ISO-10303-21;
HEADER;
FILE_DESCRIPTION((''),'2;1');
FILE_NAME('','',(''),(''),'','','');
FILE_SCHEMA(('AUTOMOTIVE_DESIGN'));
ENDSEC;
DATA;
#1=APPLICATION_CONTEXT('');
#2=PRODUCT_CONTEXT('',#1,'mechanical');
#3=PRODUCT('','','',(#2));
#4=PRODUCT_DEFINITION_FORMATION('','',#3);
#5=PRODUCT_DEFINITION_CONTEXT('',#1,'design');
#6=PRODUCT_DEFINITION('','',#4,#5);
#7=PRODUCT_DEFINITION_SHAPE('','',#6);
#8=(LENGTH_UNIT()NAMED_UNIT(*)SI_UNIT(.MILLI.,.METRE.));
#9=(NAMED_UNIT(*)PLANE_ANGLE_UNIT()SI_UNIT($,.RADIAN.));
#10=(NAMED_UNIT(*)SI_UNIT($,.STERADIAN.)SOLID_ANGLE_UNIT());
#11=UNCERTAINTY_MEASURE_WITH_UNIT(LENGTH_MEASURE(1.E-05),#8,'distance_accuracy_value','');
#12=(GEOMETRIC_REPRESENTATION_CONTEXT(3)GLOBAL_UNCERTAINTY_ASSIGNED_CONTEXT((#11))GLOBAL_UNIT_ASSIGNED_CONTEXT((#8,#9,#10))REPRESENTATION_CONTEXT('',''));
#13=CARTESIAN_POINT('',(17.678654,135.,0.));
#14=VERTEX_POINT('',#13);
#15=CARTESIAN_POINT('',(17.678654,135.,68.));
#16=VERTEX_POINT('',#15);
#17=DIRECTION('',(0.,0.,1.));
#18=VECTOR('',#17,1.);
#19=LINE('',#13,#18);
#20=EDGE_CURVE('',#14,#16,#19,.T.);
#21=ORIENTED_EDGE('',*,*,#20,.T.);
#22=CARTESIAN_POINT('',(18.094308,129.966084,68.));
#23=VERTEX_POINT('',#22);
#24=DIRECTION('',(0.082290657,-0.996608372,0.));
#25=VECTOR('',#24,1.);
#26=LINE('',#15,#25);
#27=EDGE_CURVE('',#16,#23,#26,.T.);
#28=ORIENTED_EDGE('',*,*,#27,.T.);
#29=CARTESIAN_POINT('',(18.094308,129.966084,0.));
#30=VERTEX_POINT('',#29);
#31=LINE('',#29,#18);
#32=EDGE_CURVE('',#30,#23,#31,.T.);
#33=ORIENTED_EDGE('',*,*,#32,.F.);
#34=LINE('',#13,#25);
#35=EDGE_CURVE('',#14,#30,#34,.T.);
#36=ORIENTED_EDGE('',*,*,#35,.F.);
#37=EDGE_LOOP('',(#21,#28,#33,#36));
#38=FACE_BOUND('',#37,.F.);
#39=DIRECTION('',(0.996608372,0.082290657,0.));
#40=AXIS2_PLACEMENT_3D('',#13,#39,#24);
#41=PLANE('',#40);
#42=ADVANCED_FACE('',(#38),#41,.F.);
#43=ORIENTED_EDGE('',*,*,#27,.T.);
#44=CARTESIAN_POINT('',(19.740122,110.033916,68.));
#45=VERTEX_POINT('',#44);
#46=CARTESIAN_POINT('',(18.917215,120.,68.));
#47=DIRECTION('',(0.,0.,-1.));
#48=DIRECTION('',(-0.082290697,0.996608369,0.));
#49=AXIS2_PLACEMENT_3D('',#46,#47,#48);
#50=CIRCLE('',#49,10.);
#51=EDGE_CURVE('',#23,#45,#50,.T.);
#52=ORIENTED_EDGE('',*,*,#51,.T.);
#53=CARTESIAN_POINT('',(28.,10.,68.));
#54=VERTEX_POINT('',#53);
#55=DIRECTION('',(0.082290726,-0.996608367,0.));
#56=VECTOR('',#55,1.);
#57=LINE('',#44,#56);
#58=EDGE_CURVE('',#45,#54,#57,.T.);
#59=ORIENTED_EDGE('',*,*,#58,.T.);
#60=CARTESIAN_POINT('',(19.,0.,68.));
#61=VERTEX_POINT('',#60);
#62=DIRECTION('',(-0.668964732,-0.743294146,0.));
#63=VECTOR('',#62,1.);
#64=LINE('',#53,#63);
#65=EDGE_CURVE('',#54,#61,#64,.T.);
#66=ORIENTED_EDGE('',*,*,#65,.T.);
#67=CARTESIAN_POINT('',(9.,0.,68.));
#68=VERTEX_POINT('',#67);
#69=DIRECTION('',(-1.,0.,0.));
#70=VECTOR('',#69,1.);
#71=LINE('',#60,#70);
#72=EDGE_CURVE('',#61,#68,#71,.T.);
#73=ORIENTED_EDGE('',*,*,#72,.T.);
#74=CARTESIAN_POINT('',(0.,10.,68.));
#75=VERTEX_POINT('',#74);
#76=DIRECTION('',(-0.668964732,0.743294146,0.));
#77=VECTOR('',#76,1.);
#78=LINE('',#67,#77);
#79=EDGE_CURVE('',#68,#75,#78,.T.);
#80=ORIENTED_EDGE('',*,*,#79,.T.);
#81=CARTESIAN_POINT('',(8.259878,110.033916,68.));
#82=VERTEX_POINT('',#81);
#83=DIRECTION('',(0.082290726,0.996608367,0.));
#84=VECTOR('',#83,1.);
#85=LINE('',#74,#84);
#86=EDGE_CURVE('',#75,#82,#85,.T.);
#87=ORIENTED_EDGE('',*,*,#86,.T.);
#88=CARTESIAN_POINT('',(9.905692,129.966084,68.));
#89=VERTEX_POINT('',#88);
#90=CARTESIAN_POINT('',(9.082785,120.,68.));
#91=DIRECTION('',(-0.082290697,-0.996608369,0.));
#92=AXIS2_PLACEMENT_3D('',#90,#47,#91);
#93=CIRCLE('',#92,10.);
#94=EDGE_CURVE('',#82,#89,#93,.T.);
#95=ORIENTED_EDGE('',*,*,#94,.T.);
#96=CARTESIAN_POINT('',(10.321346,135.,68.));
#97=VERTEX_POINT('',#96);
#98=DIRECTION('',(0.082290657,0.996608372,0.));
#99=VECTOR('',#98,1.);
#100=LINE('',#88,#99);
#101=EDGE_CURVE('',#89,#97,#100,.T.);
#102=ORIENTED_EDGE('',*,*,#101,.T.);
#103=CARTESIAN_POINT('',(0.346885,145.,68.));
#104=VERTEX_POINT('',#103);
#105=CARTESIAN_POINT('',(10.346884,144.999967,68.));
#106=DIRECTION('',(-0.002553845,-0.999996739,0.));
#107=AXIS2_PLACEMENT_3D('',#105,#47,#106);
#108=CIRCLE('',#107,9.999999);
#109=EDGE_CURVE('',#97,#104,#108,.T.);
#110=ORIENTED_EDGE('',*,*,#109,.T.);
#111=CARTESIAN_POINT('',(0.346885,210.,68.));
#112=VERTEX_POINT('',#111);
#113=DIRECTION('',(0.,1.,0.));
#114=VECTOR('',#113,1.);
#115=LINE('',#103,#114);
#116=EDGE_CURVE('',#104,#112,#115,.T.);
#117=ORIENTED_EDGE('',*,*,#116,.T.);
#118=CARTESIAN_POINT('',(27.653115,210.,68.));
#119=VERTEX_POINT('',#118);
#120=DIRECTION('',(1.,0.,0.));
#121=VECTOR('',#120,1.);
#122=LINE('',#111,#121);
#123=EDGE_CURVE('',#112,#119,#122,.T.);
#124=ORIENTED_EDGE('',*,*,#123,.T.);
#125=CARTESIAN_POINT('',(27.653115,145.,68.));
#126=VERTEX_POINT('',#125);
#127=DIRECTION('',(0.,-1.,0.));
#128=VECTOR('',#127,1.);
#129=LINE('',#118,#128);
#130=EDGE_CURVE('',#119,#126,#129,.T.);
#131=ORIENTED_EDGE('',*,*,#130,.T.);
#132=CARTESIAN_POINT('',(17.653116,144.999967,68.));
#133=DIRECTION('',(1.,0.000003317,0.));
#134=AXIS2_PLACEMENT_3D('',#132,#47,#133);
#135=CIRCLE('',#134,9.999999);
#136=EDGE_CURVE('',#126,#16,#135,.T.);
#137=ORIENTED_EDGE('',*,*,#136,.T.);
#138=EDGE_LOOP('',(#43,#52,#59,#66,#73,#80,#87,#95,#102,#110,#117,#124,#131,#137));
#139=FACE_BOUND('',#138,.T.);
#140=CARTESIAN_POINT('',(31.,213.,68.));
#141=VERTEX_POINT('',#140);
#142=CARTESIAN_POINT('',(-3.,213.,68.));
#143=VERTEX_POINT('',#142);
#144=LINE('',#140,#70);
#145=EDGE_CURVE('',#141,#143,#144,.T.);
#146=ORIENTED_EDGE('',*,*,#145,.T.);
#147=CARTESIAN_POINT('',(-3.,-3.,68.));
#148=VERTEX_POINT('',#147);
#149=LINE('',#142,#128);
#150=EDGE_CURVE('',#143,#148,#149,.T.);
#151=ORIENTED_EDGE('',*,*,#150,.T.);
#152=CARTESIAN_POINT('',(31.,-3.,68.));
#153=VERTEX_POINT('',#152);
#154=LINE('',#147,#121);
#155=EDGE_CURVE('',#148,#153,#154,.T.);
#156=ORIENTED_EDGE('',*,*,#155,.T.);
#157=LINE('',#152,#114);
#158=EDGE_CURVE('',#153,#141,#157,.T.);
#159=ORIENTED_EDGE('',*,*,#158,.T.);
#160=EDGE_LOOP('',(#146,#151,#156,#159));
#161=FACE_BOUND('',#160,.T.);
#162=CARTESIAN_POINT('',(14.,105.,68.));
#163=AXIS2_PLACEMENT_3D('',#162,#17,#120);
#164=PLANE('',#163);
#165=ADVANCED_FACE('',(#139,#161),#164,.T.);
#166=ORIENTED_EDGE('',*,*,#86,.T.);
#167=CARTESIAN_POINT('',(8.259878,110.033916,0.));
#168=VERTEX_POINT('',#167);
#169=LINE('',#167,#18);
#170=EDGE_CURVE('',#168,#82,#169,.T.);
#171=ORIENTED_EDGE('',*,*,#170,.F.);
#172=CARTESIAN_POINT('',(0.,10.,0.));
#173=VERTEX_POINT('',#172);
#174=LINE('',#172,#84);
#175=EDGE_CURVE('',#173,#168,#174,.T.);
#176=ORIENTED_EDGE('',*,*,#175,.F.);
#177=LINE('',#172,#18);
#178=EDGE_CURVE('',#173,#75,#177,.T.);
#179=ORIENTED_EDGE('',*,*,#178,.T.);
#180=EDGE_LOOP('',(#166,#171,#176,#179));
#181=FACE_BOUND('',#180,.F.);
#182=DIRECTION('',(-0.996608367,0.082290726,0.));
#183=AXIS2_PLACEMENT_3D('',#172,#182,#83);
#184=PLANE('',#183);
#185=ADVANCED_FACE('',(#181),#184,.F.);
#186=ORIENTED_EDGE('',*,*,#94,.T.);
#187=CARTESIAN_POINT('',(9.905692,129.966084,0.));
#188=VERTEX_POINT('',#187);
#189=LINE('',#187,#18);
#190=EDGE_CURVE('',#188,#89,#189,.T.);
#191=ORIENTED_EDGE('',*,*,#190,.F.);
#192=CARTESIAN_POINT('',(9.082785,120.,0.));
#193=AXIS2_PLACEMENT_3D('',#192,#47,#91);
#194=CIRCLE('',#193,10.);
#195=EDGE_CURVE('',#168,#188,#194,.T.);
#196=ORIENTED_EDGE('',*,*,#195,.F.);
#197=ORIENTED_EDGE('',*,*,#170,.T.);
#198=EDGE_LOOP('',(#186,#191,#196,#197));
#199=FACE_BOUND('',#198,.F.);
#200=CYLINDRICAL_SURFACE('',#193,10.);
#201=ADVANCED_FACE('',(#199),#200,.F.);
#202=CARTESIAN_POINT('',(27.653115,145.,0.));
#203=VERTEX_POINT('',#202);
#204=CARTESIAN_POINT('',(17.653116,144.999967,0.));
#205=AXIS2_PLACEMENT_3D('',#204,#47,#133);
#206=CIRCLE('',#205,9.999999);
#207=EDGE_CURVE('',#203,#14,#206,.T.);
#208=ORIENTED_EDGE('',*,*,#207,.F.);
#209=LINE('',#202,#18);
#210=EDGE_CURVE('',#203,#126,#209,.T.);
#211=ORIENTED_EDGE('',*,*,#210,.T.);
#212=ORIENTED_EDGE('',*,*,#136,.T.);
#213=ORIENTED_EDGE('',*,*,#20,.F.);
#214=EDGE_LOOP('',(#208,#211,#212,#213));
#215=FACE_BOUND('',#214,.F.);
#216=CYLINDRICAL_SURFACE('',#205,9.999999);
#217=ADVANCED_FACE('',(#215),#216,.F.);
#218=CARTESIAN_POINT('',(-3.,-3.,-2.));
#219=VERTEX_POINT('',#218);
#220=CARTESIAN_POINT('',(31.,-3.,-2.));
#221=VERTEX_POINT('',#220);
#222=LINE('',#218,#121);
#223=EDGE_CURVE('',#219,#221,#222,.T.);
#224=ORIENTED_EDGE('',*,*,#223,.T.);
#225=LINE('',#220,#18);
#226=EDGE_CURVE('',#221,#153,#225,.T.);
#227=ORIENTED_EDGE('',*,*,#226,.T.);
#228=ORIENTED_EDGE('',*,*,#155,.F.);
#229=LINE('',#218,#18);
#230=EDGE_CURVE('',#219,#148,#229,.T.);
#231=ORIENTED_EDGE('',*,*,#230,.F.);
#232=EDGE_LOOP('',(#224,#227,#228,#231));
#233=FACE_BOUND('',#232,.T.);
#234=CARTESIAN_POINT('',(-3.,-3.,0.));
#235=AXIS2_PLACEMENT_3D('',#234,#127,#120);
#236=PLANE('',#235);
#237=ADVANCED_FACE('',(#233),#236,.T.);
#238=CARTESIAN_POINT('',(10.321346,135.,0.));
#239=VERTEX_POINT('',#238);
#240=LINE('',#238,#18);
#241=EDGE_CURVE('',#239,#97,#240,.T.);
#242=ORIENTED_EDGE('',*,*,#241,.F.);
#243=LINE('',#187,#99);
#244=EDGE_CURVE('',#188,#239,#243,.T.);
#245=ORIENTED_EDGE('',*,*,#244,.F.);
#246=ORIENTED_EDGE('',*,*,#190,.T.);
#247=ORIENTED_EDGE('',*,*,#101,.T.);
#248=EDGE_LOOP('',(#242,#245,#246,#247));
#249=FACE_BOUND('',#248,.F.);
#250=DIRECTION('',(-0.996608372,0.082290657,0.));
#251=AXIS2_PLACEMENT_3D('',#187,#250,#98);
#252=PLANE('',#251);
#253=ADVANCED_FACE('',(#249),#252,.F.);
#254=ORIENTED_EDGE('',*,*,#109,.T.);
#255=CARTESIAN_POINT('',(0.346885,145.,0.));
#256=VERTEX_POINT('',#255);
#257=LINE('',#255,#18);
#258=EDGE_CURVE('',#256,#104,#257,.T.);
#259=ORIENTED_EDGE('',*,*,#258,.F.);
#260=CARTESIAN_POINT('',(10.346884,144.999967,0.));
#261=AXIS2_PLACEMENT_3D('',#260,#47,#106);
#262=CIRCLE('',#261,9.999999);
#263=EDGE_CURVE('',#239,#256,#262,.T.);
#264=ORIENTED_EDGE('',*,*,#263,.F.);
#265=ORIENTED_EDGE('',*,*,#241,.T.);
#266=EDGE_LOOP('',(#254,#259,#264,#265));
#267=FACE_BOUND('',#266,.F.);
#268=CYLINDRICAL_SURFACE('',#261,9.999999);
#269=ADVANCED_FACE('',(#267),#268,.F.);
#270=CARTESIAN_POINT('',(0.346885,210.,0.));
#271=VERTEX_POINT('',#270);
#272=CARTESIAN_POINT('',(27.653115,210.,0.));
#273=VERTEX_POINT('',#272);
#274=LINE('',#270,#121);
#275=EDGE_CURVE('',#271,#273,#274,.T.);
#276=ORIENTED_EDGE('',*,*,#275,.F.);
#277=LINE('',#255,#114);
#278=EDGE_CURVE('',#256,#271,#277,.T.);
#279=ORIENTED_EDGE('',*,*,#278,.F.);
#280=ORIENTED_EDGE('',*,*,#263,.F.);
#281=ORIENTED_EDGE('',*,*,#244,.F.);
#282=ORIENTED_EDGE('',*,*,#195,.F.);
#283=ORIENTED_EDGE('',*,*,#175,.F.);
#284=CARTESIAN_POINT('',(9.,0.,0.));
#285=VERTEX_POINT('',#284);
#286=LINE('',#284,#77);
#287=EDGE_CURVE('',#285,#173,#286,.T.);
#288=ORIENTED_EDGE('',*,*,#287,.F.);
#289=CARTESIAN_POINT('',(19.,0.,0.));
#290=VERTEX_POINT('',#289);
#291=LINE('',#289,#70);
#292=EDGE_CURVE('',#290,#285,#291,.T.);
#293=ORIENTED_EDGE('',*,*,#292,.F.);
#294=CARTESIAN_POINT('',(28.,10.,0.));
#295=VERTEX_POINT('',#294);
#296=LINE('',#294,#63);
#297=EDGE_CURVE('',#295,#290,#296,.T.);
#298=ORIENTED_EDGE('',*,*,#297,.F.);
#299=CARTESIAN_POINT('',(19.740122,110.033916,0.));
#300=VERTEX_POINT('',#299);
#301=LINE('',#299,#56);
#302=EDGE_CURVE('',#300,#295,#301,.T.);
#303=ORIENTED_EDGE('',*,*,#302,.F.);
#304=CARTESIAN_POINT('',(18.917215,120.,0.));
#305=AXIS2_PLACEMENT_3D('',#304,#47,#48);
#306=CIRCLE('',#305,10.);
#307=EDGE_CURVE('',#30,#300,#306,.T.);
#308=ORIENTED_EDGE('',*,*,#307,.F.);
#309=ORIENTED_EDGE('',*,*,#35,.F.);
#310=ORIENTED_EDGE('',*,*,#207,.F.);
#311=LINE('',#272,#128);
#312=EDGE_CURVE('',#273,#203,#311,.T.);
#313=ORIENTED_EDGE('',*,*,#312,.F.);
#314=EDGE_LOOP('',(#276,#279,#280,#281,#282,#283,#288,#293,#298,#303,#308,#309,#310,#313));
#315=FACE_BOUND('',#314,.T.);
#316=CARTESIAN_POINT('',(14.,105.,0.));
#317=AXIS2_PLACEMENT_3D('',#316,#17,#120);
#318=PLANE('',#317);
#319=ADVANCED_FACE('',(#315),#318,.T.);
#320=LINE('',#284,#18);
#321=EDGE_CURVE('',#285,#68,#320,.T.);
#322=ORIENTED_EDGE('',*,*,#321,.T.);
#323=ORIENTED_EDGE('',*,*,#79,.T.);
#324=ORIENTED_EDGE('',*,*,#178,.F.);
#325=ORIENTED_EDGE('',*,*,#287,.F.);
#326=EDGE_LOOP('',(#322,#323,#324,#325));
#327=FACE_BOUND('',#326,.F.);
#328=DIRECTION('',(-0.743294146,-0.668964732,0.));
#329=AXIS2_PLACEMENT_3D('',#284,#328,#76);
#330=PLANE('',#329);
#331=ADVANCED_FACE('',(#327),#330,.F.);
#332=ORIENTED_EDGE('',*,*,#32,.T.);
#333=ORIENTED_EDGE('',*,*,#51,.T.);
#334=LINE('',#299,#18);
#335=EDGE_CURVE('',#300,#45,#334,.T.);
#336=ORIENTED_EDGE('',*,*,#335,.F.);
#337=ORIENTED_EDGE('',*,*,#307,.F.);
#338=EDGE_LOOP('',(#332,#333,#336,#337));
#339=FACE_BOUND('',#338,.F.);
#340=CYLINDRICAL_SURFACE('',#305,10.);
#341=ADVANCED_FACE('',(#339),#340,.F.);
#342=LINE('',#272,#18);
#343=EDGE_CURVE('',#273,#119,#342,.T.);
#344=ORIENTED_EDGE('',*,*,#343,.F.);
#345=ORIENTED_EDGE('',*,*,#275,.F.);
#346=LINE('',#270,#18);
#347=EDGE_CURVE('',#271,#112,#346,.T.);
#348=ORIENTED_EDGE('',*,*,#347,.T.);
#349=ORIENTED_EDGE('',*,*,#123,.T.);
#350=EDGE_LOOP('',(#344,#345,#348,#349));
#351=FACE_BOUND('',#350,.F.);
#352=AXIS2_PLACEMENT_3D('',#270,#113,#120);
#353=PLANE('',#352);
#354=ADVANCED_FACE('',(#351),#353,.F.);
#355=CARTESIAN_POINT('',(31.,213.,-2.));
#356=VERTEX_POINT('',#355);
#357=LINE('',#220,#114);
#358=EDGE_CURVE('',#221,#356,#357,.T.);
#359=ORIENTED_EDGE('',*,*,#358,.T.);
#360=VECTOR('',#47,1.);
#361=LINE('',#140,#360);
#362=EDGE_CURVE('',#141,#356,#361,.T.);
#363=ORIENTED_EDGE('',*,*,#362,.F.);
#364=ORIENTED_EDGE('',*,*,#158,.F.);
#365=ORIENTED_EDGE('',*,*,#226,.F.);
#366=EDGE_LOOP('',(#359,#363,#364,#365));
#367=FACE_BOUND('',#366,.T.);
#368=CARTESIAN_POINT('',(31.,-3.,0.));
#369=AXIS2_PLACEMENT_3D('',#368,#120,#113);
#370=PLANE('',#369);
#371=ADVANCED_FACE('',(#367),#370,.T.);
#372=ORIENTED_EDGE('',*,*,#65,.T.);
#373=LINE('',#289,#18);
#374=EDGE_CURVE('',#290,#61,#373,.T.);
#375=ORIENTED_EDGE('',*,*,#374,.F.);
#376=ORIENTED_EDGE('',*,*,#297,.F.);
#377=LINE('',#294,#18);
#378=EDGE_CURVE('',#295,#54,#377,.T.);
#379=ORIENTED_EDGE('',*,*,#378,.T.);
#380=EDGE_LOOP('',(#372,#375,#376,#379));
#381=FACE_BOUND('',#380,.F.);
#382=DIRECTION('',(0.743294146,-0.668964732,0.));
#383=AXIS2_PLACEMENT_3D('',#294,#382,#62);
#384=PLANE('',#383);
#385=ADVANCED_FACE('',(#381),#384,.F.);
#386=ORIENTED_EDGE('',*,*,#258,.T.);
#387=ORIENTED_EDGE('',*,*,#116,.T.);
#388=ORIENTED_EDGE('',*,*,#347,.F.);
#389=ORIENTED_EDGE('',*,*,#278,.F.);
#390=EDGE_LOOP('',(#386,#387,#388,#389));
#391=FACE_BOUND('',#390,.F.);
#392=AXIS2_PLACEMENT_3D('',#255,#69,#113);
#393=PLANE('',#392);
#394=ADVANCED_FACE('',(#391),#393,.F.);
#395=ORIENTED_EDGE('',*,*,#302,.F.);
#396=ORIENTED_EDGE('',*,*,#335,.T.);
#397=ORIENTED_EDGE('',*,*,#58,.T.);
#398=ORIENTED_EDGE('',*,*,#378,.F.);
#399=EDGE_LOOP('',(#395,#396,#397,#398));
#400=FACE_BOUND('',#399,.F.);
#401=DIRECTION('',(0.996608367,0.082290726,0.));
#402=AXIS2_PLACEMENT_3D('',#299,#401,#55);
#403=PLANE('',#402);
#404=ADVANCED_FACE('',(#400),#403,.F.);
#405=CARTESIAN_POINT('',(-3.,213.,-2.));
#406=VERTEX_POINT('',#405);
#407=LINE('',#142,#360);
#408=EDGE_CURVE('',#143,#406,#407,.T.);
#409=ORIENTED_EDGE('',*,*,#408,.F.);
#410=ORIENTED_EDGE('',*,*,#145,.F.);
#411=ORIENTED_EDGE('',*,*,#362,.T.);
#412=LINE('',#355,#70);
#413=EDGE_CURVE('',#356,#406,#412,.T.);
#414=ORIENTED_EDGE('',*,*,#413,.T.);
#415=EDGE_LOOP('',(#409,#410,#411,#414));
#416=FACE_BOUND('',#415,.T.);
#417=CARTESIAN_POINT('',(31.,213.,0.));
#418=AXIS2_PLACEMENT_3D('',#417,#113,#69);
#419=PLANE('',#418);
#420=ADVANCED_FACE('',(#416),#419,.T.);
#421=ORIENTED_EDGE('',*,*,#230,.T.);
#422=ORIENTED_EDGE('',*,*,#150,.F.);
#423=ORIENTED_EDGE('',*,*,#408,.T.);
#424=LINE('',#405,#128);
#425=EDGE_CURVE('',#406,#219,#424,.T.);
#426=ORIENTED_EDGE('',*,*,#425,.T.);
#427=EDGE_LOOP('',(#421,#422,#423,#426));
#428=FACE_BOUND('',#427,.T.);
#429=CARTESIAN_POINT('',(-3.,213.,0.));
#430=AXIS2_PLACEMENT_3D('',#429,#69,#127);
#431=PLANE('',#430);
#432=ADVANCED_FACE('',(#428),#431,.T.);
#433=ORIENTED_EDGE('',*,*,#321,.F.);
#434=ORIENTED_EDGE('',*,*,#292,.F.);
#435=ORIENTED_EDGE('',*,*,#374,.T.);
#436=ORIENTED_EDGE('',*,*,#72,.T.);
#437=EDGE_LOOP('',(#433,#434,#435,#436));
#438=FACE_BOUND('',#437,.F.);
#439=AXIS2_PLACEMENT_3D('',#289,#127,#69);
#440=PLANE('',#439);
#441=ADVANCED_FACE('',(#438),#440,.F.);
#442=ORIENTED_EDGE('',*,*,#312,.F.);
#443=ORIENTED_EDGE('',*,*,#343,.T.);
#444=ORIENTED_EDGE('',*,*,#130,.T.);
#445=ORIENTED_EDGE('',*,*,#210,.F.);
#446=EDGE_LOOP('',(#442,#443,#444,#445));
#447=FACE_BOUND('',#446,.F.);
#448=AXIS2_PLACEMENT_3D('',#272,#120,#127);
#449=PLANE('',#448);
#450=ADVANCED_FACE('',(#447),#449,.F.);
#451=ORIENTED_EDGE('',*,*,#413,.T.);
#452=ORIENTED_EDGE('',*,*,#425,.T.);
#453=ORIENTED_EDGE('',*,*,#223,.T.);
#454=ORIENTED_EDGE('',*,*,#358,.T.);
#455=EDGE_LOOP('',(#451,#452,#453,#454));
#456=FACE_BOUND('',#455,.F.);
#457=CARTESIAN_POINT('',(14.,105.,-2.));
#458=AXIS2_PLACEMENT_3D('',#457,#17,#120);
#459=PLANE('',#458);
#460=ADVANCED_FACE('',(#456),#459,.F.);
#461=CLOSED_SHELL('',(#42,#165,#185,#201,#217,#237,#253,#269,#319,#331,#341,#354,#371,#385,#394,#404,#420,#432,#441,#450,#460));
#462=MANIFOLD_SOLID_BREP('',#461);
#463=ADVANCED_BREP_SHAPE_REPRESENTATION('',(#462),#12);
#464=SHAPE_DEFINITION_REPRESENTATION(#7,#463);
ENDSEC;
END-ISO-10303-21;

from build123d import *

# Parameters (mm, degrees)
F1_DEPTH = 68
F2_DEPTH = 2


with BuildPart() as f1:
    # F0 (on Top) → F1 (new body)
    with BuildSketch(Plane.XY):
        Polygon((-3, 213), (-3, -3), (14, -3), (31, -3), (31, 213), (14, 213), align=None)
        with BuildLine():
            Line((14, 0), (9, 0))
            Line((9, 0), (0, 10))
            Line((0, 10), (8.259878, 110.033916))
            ThreePointArc((8.259878, 110.033916), (-0.883299, 120.822907), (9.905692, 129.966084))
            Line((9.905692, 129.966084), (10.321346, 135))
            ThreePointArc((10.321346, 135), (3.266782, 137.937946), (0.346885, 145))
            Line((0.346885, 145), (0.346885, 210))
            Line((0.346885, 210), (14, 210))
            Line((14, 210), (27.653115, 210))
            Line((27.653115, 210), (27.653115, 145))
            ThreePointArc((27.653115, 145), (24.733218, 137.937946), (17.678654, 135))
            Line((17.678654, 135), (18.094308, 129.966084))
            ThreePointArc((18.094308, 129.966084), (28.883299, 120.822907), (19.740122, 110.033916))
            Line((19.740122, 110.033916), (28, 10))
            Line((28, 10), (19, 0))
            Line((19, 0), (14, 0))
        make_face(mode=Mode.SUBTRACT)
    extrude(amount=F1_DEPTH)

    # F0 (on Top) → F2 (join)
    with BuildSketch(Plane.XY):
        Polygon((-3, 213), (-3, -3), (14, -3), (31, -3), (31, 213), (14, 213), align=None)
        with BuildLine():
            Line((14, 0), (9, 0))
            Line((9, 0), (0, 10))
            Line((0, 10), (8.259878, 110.033916))
            ThreePointArc((8.259878, 110.033916), (-0.883299, 120.822907), (9.905692, 129.966084))
            Line((9.905692, 129.966084), (10.321346, 135))
            ThreePointArc((10.321346, 135), (3.266782, 137.937946), (0.346885, 145))
            Line((0.346885, 145), (0.346885, 210))
            Line((0.346885, 210), (14, 210))
            Line((14, 210), (27.653115, 210))
            Line((27.653115, 210), (27.653115, 145))
            ThreePointArc((27.653115, 145), (24.733218, 137.937946), (17.678654, 135))
            Line((17.678654, 135), (18.094308, 129.966084))
            ThreePointArc((18.094308, 129.966084), (28.883299, 120.822907), (19.740122, 110.033916))
            Line((19.740122, 110.033916), (28, 10))
            Line((28, 10), (19, 0))
            Line((19, 0), (14, 0))
        make_face(mode=Mode.SUBTRACT)
        with BuildLine():
            Line((0, 10), (9, 0))
            Line((9, 0), (14, 0))
            Line((14, 0), (19, 0))
            Line((19, 0), (28, 10))
            Line((28, 10), (19.740122, 110.033916))
            ThreePointArc((19.740122, 110.033916), (28.883299, 120.822907), (18.094308, 129.966084))
            Line((18.094308, 129.966084), (17.678654, 135))
            ThreePointArc((17.678654, 135), (24.733218, 137.937946), (27.653115, 145))
            Line((27.653115, 145), (27.653115, 210))
            Line((27.653115, 210), (14, 210))
            Line((14, 210), (0.346885, 210))
            Line((0.346885, 210), (0.346885, 145))
            ThreePointArc((0.346885, 145), (3.266782, 137.937946), (10.321346, 135))
            Line((10.321346, 135), (9.905692, 129.966084))
            ThreePointArc((9.905692, 129.966084), (-0.883299, 120.822907), (8.259878, 110.033916))
            Line((8.259878, 110.033916), (0, 10))
        make_face()
    extrude(amount=-F2_DEPTH)


solid = f1.part
